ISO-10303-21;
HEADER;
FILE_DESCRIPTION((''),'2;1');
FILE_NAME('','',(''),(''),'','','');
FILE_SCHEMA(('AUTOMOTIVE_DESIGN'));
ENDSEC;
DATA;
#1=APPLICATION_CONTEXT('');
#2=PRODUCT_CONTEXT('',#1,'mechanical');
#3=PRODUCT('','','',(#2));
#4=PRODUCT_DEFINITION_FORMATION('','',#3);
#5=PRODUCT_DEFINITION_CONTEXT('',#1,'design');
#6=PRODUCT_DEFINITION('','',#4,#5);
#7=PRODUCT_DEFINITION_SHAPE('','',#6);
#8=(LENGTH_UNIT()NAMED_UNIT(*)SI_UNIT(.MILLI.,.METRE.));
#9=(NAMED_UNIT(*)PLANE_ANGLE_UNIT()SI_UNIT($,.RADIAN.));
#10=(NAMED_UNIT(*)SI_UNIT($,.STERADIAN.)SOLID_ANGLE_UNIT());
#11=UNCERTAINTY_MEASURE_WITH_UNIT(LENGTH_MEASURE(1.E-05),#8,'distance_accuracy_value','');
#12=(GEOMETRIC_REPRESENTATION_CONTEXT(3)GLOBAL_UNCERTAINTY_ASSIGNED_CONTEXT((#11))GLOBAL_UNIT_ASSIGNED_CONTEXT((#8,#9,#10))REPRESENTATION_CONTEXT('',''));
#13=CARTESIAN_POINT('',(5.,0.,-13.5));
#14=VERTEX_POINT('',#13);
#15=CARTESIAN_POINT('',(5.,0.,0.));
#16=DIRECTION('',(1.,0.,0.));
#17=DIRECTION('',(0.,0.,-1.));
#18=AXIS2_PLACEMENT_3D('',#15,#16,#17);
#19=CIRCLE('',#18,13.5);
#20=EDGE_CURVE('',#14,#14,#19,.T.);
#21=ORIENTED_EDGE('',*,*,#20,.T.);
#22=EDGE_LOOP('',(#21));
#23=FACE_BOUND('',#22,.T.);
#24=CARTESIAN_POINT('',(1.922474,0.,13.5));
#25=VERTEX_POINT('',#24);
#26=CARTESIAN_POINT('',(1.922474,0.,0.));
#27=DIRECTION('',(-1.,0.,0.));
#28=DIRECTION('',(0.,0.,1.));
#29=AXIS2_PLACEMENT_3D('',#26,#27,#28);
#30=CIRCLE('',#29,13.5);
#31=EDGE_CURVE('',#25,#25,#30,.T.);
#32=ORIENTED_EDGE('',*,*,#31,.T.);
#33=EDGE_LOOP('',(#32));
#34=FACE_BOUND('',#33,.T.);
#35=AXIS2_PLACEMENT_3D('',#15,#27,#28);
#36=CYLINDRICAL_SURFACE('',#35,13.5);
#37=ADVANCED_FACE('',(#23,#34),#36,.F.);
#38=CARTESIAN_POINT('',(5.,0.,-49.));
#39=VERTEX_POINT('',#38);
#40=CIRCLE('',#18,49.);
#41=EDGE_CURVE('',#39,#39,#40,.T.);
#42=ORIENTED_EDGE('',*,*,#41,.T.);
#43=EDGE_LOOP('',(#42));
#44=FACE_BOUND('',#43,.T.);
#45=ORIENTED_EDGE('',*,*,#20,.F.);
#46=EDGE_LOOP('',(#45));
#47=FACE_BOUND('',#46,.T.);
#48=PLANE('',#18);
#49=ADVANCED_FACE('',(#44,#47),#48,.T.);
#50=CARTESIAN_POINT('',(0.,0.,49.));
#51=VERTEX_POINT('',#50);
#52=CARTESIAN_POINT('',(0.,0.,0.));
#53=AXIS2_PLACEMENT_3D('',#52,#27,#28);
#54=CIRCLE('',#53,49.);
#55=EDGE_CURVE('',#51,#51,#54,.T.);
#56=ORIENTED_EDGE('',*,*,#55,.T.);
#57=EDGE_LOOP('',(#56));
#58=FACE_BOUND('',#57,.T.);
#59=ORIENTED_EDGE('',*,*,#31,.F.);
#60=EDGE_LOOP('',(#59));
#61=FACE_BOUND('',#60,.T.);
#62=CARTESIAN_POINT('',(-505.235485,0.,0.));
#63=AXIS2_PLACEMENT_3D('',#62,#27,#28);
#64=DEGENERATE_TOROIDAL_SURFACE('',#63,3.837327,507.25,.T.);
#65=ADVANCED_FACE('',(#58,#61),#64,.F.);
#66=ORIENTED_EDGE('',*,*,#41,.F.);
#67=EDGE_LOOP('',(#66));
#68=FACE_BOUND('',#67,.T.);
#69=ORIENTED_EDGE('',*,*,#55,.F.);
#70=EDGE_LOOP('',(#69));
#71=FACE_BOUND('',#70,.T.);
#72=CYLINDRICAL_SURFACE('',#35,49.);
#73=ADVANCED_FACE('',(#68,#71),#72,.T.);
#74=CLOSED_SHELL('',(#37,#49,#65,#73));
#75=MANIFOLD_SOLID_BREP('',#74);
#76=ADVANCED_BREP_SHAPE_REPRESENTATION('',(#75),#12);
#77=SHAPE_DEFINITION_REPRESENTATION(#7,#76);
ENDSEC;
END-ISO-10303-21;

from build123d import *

# Parameters (mm, degrees)
SKETCH1_R           = 49
SKETCH1_R_2         = 13.5
BOSS_EXTRUDE1_DEPTH = 5


with BuildPart() as part:
    # Sketch1 → Boss-Extrude1 (new body)
    with BuildSketch(Plane(origin=(0, 0, 0), x_dir=(0, 0, -1), z_dir=(1, 0, 0))):
        Circle(SKETCH1_R)
        Circle(SKETCH1_R_2, mode=Mode.SUBTRACT)
    extrude(amount=BOSS_EXTRUDE1_DEPTH)

    # Sketch3 → Cut-Revolve1 (revolve, cut)
    with BuildSketch(Plane.XY):
        with BuildLine():
            Line((0, 0), (2, 0))
            ThreePointArc((2, 0), (1.592509761, 24.524184072), (0, 49))
            Line((0, 49), (0, 0))
        make_face()
    revolve(axis=Axis((0, 0, 0), (1, 0, 0)), mode=Mode.SUBTRACT)


solid = part.part
